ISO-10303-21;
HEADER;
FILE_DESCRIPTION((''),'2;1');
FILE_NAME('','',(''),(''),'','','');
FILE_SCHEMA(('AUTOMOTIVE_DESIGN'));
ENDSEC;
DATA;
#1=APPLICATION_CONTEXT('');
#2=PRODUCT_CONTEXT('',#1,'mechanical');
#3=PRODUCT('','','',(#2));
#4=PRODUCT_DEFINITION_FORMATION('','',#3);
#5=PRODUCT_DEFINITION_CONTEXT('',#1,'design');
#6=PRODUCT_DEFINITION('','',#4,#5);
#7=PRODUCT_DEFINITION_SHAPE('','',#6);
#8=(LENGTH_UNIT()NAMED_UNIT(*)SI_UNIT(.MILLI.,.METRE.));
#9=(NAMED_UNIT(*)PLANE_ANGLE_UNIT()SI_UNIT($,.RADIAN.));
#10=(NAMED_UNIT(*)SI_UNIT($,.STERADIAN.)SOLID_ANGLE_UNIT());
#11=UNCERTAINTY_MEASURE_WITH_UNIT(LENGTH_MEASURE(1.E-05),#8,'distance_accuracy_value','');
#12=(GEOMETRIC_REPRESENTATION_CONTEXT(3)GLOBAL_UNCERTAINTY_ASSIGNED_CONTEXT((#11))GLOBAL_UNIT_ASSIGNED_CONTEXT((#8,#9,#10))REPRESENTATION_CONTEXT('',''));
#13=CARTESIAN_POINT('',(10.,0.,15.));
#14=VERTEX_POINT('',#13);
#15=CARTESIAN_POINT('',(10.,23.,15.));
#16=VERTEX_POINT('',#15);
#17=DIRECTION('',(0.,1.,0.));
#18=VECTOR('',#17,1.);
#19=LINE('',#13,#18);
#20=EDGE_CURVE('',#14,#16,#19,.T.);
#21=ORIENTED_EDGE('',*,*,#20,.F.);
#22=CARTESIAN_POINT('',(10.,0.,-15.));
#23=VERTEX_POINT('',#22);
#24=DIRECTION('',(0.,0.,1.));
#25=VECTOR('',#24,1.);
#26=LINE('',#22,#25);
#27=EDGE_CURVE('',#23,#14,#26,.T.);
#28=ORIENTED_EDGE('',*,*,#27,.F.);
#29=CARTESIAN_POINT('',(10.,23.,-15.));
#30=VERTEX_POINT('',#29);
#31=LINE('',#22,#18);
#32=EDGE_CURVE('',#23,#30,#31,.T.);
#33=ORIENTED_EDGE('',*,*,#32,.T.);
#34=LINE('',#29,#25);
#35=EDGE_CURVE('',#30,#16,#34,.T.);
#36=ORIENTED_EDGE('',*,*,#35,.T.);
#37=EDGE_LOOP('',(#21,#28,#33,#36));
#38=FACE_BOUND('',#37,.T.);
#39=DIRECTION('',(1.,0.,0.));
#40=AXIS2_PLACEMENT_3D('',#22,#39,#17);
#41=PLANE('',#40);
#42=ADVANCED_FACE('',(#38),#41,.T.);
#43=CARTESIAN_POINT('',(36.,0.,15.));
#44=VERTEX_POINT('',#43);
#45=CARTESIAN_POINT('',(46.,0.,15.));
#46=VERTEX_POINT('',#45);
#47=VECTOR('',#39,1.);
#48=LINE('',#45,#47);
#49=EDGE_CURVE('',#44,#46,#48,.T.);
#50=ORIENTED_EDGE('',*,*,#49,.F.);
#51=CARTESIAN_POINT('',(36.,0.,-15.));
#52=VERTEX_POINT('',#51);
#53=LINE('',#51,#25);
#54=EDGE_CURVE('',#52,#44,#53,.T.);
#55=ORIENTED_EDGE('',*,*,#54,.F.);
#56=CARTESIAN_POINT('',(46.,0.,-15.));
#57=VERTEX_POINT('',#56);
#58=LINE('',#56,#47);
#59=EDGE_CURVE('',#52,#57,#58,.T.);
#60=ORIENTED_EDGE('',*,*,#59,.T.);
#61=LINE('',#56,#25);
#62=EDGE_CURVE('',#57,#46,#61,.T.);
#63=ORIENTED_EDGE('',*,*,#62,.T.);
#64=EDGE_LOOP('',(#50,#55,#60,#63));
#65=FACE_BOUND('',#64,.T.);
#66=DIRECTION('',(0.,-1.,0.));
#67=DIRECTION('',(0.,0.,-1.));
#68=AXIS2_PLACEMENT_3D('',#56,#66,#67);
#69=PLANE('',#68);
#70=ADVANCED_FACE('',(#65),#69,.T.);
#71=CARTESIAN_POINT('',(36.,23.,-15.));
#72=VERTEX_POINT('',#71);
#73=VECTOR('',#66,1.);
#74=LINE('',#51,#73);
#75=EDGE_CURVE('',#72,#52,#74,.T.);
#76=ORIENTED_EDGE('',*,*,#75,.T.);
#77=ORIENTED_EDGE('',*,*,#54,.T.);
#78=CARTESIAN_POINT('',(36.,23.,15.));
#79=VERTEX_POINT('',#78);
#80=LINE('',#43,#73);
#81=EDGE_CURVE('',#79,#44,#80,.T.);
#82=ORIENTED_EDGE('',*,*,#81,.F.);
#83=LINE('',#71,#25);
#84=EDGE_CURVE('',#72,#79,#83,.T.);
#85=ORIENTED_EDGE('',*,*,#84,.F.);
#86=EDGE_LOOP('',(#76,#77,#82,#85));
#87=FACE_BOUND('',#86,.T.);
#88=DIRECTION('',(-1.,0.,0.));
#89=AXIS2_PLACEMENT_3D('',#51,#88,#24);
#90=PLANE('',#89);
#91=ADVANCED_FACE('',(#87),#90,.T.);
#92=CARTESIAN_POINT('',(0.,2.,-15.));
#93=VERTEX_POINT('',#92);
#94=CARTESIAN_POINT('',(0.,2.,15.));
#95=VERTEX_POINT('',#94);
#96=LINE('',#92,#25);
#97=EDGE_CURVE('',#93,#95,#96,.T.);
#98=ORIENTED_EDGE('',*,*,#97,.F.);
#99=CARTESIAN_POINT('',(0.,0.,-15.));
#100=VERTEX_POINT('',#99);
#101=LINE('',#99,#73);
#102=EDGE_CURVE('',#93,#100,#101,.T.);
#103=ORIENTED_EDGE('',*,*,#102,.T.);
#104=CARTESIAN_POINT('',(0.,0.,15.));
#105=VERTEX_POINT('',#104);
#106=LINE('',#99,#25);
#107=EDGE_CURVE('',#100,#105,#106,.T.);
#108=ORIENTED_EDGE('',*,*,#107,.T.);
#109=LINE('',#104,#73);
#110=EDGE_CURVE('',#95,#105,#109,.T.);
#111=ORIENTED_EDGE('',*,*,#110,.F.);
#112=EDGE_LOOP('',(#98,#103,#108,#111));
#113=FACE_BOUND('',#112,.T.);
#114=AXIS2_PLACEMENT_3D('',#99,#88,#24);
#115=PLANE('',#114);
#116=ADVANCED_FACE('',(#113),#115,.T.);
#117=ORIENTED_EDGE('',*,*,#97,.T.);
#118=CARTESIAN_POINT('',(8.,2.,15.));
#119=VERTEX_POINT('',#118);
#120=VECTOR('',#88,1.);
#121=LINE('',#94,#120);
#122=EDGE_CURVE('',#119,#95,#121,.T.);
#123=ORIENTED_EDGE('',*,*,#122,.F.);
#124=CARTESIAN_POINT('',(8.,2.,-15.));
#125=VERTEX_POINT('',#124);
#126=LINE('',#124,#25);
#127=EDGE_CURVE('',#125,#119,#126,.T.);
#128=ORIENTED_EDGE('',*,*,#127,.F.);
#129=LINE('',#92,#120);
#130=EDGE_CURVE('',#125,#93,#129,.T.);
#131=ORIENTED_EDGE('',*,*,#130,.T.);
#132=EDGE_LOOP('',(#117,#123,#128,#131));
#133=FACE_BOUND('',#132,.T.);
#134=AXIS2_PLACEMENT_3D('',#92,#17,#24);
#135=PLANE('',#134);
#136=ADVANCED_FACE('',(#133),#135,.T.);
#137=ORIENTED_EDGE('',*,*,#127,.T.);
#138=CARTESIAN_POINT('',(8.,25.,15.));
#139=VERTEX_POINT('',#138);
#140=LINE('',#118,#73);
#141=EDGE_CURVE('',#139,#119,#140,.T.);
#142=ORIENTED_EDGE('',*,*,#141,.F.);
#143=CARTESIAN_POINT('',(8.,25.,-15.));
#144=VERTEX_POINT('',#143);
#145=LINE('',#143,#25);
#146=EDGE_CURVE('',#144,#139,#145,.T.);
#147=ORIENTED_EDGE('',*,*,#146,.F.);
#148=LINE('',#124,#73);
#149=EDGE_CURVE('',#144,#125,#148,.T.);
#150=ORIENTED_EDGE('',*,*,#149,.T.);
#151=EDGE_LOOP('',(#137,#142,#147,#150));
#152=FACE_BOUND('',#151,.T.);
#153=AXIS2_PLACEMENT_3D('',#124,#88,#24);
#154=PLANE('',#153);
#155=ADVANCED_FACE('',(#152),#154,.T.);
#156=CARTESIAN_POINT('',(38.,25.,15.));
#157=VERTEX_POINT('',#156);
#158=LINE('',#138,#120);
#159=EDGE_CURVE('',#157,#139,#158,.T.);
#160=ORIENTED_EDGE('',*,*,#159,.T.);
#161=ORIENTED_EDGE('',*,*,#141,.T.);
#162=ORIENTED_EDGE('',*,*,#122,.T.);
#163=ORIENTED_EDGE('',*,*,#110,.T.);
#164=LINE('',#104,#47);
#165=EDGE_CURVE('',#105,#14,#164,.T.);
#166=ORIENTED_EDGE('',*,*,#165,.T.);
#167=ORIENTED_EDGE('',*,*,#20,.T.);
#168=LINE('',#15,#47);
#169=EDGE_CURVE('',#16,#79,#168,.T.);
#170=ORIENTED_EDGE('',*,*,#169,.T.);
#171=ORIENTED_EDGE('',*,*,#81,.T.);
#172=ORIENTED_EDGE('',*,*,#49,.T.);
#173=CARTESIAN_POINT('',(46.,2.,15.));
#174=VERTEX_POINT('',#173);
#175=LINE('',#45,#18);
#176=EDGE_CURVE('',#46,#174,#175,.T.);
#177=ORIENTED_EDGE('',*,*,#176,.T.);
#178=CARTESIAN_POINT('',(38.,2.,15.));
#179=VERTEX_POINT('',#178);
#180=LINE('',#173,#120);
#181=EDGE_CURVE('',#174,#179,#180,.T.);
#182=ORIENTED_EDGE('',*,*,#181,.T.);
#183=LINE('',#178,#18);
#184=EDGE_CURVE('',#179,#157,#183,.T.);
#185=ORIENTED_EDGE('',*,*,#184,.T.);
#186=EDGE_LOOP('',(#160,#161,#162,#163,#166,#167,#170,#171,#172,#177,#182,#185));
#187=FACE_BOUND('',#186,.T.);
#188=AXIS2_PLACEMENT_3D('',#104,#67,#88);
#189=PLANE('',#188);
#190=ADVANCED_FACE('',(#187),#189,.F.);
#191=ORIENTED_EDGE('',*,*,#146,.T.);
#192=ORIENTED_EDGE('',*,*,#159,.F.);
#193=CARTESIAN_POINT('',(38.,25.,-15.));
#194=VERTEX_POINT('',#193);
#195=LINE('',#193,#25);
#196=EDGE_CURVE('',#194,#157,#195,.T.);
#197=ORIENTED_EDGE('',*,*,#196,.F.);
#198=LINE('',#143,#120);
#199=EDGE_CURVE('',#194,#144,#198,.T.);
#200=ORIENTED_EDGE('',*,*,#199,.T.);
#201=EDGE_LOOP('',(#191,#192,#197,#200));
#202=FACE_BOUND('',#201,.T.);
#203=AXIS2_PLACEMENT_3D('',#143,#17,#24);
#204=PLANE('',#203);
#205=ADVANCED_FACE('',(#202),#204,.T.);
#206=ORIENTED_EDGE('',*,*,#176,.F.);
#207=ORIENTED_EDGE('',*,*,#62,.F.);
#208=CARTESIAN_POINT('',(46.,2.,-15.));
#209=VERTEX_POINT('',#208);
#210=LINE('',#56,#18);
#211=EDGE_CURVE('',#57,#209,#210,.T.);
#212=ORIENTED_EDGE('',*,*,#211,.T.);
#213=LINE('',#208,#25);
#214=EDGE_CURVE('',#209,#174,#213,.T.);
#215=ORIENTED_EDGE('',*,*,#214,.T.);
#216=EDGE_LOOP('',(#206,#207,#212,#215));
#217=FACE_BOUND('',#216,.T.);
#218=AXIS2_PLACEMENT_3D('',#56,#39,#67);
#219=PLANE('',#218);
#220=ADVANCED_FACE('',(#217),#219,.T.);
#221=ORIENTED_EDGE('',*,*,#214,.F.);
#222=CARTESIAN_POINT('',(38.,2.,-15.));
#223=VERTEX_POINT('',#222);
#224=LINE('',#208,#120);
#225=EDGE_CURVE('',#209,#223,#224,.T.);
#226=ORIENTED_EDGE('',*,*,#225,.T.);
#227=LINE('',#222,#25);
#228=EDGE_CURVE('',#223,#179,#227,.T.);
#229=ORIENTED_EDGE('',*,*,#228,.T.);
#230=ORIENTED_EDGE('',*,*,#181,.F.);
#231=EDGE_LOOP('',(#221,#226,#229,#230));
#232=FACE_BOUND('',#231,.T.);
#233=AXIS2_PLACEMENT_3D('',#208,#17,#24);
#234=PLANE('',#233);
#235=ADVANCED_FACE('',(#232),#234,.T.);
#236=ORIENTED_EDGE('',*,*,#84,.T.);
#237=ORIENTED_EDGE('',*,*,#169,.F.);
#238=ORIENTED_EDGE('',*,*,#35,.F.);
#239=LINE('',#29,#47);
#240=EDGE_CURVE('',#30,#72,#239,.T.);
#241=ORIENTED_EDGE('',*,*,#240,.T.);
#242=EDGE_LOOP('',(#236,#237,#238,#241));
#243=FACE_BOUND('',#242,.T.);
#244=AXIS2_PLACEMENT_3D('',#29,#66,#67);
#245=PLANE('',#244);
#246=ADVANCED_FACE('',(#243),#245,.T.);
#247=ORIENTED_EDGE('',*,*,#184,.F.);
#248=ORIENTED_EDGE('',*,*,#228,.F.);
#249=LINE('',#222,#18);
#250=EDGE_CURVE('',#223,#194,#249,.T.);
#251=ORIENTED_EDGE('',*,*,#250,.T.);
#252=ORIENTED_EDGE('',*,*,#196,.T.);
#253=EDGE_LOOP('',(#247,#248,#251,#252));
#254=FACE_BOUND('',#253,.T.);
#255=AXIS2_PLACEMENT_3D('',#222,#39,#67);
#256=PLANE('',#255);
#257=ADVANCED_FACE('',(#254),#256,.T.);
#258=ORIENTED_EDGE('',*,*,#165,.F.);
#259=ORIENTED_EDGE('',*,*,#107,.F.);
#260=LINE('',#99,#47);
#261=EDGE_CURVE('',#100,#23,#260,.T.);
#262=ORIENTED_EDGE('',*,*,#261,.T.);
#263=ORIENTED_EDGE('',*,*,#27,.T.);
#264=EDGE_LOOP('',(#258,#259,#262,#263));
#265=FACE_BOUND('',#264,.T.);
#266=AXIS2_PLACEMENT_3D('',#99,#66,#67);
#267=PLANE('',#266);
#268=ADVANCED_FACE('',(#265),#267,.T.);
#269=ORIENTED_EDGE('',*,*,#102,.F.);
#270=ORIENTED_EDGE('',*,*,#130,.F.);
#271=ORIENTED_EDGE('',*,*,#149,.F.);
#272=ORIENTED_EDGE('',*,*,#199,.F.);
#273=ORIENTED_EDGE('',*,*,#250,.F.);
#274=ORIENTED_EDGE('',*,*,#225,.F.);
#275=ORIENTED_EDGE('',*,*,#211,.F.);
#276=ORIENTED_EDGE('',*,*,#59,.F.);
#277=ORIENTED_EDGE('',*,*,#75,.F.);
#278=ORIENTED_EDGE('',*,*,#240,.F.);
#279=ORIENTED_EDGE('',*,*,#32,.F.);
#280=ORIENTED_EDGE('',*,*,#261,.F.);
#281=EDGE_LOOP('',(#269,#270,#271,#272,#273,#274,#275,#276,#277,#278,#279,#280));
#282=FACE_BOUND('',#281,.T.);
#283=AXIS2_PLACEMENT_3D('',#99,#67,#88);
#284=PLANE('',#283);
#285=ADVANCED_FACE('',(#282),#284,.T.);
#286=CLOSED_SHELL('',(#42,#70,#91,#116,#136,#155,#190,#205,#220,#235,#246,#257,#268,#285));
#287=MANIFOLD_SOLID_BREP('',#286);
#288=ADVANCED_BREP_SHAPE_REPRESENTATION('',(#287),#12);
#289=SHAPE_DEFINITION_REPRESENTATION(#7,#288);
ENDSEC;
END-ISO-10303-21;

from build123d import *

# Parameters (mm, degrees)
BOSS_EXTRUDE1_DEPTH = 15


with BuildPart() as part:
    # Sketch1 → Boss-Extrude1 (new body, symmetric)
    with BuildSketch(Plane.XY):
        Polygon((0, 0), (10, 0), (10, 23), (36, 23), (36, 0), (46, 0), (46, 2), (38, 2), (38, 25), (8, 25), (8, 2), (0, 2), align=None)
    extrude(amount=BOSS_EXTRUDE1_DEPTH, both=True)


solid = part.part
